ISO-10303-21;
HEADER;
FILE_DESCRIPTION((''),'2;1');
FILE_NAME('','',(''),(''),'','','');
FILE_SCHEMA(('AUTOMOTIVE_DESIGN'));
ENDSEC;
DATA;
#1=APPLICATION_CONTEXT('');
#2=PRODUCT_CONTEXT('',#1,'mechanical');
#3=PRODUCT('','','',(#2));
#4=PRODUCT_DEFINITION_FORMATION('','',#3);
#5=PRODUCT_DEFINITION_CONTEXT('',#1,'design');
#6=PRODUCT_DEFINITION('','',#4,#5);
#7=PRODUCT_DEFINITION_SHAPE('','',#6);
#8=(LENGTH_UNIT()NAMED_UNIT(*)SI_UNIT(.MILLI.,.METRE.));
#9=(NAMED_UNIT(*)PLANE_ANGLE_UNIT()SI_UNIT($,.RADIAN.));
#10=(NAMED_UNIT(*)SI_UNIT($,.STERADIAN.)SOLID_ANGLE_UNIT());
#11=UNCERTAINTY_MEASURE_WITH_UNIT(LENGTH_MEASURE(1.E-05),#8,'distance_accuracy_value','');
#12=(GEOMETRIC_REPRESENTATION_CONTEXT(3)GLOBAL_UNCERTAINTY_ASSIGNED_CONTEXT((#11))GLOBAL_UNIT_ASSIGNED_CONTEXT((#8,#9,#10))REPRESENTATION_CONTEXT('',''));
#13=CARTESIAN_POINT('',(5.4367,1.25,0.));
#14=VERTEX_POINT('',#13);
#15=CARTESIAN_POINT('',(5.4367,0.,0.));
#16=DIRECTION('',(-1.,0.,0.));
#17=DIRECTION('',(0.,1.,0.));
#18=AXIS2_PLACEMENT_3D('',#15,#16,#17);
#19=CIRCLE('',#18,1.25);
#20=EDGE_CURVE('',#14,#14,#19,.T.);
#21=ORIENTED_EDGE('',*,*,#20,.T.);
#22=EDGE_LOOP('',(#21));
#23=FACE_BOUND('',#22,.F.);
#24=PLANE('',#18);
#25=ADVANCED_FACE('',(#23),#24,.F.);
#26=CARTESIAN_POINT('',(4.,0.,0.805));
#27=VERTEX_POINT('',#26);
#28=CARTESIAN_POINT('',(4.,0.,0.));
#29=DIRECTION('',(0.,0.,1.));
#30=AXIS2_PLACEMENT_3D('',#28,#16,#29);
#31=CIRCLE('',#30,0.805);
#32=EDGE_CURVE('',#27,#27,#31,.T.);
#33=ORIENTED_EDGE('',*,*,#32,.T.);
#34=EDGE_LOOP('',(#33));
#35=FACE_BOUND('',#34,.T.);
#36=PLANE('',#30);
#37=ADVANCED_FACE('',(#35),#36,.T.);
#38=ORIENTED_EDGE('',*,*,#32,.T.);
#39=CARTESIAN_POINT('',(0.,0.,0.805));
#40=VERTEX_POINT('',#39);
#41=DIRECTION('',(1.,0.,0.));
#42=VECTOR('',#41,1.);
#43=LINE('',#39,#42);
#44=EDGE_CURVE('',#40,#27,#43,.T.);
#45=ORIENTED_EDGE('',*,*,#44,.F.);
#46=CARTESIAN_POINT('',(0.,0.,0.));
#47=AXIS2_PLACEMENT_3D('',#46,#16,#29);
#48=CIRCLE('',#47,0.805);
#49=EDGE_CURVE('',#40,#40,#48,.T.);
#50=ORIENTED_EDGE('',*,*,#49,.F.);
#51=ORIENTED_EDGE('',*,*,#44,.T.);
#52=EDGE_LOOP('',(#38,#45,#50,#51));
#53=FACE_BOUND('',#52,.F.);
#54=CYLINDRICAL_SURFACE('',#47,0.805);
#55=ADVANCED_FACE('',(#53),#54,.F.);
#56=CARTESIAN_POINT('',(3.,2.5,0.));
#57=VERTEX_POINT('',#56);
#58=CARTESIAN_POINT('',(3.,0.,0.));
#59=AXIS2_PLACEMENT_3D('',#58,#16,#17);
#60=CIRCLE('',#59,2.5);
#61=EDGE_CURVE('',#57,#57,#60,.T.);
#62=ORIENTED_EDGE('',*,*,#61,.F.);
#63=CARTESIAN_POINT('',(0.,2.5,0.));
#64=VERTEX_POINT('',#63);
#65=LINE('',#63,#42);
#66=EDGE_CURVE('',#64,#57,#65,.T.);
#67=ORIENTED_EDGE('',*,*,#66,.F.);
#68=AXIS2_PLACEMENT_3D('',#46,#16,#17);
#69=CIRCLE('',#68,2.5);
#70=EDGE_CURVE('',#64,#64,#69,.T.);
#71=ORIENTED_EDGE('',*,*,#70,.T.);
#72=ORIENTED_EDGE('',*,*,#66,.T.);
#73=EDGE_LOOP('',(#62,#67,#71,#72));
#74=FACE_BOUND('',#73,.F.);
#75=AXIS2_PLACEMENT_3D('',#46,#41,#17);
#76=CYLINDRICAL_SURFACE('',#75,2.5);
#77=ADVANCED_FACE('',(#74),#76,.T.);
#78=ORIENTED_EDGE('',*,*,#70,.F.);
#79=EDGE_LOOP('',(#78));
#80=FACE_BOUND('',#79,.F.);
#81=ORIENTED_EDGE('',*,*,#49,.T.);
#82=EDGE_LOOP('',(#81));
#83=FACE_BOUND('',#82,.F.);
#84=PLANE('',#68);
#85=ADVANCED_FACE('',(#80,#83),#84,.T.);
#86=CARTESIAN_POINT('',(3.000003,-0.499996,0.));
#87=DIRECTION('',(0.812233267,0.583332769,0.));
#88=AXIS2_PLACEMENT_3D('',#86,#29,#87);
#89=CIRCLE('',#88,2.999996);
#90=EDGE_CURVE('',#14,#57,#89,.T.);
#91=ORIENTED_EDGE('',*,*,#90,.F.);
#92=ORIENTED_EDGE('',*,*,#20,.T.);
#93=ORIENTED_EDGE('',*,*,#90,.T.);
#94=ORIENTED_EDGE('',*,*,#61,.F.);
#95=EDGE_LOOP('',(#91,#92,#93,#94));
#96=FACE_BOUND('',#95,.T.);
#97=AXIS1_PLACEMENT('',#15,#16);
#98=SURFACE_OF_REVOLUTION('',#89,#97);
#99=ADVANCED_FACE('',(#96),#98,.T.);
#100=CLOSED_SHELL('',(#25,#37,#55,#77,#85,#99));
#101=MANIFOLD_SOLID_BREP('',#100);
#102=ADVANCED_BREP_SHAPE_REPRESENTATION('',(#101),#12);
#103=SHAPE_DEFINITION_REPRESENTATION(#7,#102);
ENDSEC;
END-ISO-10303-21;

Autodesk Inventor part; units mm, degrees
ref_plane "YZ Plane" through (0, 0, 0) normal (1, 0, 0) x (0, 1, 0)
ref_plane "XZ Plane" through (0, 0, 0) normal (0, 1, 0) x (-1, 0, 0)
ref_plane "XY Plane" through (0, 0, 0) normal (0, 0, 1) x (1, 0, 0)
sketch "Skizze1" plane through (0, 0, 0) normal (0, 0, 1) x (1, 0, 0)
  line L0 (0, 0) -> (0, 2.5)
  line L1 (0, 2.5) -> (3, 2.5)
  arc A0 (5.4367, 1.25) -> (3, 2.5) centre (3, -0.5) ccw
  line L2 (5.4367, 1.25) -> (5.4367, 0)
  line L3 (5.4367, 0) -> (0, 0)
  point P0 (0, 1.25)
  dimension "d1" = 2.5
  dimension "d2" = 3
  dimension "d3" = 3
  dimension "d5" = 5.4367
revolve "Umdrehung1" add sketch "Skizze1" angle 360 about axis through (5.4367, 0, 0) along (-1, 0, 0)
sketch "Skizze2" plane through (0, 0, 0) normal (-1, 0, 0) x (0, 0, 1)
  circle A0 centre (0, 0) radius 0.805
  dimension "d7" = 1.61
extrude "Extrusion1" cut sketch "Skizze2" against normal blind 4
properties part number "plunger" material "Holz (Ahorn)"
